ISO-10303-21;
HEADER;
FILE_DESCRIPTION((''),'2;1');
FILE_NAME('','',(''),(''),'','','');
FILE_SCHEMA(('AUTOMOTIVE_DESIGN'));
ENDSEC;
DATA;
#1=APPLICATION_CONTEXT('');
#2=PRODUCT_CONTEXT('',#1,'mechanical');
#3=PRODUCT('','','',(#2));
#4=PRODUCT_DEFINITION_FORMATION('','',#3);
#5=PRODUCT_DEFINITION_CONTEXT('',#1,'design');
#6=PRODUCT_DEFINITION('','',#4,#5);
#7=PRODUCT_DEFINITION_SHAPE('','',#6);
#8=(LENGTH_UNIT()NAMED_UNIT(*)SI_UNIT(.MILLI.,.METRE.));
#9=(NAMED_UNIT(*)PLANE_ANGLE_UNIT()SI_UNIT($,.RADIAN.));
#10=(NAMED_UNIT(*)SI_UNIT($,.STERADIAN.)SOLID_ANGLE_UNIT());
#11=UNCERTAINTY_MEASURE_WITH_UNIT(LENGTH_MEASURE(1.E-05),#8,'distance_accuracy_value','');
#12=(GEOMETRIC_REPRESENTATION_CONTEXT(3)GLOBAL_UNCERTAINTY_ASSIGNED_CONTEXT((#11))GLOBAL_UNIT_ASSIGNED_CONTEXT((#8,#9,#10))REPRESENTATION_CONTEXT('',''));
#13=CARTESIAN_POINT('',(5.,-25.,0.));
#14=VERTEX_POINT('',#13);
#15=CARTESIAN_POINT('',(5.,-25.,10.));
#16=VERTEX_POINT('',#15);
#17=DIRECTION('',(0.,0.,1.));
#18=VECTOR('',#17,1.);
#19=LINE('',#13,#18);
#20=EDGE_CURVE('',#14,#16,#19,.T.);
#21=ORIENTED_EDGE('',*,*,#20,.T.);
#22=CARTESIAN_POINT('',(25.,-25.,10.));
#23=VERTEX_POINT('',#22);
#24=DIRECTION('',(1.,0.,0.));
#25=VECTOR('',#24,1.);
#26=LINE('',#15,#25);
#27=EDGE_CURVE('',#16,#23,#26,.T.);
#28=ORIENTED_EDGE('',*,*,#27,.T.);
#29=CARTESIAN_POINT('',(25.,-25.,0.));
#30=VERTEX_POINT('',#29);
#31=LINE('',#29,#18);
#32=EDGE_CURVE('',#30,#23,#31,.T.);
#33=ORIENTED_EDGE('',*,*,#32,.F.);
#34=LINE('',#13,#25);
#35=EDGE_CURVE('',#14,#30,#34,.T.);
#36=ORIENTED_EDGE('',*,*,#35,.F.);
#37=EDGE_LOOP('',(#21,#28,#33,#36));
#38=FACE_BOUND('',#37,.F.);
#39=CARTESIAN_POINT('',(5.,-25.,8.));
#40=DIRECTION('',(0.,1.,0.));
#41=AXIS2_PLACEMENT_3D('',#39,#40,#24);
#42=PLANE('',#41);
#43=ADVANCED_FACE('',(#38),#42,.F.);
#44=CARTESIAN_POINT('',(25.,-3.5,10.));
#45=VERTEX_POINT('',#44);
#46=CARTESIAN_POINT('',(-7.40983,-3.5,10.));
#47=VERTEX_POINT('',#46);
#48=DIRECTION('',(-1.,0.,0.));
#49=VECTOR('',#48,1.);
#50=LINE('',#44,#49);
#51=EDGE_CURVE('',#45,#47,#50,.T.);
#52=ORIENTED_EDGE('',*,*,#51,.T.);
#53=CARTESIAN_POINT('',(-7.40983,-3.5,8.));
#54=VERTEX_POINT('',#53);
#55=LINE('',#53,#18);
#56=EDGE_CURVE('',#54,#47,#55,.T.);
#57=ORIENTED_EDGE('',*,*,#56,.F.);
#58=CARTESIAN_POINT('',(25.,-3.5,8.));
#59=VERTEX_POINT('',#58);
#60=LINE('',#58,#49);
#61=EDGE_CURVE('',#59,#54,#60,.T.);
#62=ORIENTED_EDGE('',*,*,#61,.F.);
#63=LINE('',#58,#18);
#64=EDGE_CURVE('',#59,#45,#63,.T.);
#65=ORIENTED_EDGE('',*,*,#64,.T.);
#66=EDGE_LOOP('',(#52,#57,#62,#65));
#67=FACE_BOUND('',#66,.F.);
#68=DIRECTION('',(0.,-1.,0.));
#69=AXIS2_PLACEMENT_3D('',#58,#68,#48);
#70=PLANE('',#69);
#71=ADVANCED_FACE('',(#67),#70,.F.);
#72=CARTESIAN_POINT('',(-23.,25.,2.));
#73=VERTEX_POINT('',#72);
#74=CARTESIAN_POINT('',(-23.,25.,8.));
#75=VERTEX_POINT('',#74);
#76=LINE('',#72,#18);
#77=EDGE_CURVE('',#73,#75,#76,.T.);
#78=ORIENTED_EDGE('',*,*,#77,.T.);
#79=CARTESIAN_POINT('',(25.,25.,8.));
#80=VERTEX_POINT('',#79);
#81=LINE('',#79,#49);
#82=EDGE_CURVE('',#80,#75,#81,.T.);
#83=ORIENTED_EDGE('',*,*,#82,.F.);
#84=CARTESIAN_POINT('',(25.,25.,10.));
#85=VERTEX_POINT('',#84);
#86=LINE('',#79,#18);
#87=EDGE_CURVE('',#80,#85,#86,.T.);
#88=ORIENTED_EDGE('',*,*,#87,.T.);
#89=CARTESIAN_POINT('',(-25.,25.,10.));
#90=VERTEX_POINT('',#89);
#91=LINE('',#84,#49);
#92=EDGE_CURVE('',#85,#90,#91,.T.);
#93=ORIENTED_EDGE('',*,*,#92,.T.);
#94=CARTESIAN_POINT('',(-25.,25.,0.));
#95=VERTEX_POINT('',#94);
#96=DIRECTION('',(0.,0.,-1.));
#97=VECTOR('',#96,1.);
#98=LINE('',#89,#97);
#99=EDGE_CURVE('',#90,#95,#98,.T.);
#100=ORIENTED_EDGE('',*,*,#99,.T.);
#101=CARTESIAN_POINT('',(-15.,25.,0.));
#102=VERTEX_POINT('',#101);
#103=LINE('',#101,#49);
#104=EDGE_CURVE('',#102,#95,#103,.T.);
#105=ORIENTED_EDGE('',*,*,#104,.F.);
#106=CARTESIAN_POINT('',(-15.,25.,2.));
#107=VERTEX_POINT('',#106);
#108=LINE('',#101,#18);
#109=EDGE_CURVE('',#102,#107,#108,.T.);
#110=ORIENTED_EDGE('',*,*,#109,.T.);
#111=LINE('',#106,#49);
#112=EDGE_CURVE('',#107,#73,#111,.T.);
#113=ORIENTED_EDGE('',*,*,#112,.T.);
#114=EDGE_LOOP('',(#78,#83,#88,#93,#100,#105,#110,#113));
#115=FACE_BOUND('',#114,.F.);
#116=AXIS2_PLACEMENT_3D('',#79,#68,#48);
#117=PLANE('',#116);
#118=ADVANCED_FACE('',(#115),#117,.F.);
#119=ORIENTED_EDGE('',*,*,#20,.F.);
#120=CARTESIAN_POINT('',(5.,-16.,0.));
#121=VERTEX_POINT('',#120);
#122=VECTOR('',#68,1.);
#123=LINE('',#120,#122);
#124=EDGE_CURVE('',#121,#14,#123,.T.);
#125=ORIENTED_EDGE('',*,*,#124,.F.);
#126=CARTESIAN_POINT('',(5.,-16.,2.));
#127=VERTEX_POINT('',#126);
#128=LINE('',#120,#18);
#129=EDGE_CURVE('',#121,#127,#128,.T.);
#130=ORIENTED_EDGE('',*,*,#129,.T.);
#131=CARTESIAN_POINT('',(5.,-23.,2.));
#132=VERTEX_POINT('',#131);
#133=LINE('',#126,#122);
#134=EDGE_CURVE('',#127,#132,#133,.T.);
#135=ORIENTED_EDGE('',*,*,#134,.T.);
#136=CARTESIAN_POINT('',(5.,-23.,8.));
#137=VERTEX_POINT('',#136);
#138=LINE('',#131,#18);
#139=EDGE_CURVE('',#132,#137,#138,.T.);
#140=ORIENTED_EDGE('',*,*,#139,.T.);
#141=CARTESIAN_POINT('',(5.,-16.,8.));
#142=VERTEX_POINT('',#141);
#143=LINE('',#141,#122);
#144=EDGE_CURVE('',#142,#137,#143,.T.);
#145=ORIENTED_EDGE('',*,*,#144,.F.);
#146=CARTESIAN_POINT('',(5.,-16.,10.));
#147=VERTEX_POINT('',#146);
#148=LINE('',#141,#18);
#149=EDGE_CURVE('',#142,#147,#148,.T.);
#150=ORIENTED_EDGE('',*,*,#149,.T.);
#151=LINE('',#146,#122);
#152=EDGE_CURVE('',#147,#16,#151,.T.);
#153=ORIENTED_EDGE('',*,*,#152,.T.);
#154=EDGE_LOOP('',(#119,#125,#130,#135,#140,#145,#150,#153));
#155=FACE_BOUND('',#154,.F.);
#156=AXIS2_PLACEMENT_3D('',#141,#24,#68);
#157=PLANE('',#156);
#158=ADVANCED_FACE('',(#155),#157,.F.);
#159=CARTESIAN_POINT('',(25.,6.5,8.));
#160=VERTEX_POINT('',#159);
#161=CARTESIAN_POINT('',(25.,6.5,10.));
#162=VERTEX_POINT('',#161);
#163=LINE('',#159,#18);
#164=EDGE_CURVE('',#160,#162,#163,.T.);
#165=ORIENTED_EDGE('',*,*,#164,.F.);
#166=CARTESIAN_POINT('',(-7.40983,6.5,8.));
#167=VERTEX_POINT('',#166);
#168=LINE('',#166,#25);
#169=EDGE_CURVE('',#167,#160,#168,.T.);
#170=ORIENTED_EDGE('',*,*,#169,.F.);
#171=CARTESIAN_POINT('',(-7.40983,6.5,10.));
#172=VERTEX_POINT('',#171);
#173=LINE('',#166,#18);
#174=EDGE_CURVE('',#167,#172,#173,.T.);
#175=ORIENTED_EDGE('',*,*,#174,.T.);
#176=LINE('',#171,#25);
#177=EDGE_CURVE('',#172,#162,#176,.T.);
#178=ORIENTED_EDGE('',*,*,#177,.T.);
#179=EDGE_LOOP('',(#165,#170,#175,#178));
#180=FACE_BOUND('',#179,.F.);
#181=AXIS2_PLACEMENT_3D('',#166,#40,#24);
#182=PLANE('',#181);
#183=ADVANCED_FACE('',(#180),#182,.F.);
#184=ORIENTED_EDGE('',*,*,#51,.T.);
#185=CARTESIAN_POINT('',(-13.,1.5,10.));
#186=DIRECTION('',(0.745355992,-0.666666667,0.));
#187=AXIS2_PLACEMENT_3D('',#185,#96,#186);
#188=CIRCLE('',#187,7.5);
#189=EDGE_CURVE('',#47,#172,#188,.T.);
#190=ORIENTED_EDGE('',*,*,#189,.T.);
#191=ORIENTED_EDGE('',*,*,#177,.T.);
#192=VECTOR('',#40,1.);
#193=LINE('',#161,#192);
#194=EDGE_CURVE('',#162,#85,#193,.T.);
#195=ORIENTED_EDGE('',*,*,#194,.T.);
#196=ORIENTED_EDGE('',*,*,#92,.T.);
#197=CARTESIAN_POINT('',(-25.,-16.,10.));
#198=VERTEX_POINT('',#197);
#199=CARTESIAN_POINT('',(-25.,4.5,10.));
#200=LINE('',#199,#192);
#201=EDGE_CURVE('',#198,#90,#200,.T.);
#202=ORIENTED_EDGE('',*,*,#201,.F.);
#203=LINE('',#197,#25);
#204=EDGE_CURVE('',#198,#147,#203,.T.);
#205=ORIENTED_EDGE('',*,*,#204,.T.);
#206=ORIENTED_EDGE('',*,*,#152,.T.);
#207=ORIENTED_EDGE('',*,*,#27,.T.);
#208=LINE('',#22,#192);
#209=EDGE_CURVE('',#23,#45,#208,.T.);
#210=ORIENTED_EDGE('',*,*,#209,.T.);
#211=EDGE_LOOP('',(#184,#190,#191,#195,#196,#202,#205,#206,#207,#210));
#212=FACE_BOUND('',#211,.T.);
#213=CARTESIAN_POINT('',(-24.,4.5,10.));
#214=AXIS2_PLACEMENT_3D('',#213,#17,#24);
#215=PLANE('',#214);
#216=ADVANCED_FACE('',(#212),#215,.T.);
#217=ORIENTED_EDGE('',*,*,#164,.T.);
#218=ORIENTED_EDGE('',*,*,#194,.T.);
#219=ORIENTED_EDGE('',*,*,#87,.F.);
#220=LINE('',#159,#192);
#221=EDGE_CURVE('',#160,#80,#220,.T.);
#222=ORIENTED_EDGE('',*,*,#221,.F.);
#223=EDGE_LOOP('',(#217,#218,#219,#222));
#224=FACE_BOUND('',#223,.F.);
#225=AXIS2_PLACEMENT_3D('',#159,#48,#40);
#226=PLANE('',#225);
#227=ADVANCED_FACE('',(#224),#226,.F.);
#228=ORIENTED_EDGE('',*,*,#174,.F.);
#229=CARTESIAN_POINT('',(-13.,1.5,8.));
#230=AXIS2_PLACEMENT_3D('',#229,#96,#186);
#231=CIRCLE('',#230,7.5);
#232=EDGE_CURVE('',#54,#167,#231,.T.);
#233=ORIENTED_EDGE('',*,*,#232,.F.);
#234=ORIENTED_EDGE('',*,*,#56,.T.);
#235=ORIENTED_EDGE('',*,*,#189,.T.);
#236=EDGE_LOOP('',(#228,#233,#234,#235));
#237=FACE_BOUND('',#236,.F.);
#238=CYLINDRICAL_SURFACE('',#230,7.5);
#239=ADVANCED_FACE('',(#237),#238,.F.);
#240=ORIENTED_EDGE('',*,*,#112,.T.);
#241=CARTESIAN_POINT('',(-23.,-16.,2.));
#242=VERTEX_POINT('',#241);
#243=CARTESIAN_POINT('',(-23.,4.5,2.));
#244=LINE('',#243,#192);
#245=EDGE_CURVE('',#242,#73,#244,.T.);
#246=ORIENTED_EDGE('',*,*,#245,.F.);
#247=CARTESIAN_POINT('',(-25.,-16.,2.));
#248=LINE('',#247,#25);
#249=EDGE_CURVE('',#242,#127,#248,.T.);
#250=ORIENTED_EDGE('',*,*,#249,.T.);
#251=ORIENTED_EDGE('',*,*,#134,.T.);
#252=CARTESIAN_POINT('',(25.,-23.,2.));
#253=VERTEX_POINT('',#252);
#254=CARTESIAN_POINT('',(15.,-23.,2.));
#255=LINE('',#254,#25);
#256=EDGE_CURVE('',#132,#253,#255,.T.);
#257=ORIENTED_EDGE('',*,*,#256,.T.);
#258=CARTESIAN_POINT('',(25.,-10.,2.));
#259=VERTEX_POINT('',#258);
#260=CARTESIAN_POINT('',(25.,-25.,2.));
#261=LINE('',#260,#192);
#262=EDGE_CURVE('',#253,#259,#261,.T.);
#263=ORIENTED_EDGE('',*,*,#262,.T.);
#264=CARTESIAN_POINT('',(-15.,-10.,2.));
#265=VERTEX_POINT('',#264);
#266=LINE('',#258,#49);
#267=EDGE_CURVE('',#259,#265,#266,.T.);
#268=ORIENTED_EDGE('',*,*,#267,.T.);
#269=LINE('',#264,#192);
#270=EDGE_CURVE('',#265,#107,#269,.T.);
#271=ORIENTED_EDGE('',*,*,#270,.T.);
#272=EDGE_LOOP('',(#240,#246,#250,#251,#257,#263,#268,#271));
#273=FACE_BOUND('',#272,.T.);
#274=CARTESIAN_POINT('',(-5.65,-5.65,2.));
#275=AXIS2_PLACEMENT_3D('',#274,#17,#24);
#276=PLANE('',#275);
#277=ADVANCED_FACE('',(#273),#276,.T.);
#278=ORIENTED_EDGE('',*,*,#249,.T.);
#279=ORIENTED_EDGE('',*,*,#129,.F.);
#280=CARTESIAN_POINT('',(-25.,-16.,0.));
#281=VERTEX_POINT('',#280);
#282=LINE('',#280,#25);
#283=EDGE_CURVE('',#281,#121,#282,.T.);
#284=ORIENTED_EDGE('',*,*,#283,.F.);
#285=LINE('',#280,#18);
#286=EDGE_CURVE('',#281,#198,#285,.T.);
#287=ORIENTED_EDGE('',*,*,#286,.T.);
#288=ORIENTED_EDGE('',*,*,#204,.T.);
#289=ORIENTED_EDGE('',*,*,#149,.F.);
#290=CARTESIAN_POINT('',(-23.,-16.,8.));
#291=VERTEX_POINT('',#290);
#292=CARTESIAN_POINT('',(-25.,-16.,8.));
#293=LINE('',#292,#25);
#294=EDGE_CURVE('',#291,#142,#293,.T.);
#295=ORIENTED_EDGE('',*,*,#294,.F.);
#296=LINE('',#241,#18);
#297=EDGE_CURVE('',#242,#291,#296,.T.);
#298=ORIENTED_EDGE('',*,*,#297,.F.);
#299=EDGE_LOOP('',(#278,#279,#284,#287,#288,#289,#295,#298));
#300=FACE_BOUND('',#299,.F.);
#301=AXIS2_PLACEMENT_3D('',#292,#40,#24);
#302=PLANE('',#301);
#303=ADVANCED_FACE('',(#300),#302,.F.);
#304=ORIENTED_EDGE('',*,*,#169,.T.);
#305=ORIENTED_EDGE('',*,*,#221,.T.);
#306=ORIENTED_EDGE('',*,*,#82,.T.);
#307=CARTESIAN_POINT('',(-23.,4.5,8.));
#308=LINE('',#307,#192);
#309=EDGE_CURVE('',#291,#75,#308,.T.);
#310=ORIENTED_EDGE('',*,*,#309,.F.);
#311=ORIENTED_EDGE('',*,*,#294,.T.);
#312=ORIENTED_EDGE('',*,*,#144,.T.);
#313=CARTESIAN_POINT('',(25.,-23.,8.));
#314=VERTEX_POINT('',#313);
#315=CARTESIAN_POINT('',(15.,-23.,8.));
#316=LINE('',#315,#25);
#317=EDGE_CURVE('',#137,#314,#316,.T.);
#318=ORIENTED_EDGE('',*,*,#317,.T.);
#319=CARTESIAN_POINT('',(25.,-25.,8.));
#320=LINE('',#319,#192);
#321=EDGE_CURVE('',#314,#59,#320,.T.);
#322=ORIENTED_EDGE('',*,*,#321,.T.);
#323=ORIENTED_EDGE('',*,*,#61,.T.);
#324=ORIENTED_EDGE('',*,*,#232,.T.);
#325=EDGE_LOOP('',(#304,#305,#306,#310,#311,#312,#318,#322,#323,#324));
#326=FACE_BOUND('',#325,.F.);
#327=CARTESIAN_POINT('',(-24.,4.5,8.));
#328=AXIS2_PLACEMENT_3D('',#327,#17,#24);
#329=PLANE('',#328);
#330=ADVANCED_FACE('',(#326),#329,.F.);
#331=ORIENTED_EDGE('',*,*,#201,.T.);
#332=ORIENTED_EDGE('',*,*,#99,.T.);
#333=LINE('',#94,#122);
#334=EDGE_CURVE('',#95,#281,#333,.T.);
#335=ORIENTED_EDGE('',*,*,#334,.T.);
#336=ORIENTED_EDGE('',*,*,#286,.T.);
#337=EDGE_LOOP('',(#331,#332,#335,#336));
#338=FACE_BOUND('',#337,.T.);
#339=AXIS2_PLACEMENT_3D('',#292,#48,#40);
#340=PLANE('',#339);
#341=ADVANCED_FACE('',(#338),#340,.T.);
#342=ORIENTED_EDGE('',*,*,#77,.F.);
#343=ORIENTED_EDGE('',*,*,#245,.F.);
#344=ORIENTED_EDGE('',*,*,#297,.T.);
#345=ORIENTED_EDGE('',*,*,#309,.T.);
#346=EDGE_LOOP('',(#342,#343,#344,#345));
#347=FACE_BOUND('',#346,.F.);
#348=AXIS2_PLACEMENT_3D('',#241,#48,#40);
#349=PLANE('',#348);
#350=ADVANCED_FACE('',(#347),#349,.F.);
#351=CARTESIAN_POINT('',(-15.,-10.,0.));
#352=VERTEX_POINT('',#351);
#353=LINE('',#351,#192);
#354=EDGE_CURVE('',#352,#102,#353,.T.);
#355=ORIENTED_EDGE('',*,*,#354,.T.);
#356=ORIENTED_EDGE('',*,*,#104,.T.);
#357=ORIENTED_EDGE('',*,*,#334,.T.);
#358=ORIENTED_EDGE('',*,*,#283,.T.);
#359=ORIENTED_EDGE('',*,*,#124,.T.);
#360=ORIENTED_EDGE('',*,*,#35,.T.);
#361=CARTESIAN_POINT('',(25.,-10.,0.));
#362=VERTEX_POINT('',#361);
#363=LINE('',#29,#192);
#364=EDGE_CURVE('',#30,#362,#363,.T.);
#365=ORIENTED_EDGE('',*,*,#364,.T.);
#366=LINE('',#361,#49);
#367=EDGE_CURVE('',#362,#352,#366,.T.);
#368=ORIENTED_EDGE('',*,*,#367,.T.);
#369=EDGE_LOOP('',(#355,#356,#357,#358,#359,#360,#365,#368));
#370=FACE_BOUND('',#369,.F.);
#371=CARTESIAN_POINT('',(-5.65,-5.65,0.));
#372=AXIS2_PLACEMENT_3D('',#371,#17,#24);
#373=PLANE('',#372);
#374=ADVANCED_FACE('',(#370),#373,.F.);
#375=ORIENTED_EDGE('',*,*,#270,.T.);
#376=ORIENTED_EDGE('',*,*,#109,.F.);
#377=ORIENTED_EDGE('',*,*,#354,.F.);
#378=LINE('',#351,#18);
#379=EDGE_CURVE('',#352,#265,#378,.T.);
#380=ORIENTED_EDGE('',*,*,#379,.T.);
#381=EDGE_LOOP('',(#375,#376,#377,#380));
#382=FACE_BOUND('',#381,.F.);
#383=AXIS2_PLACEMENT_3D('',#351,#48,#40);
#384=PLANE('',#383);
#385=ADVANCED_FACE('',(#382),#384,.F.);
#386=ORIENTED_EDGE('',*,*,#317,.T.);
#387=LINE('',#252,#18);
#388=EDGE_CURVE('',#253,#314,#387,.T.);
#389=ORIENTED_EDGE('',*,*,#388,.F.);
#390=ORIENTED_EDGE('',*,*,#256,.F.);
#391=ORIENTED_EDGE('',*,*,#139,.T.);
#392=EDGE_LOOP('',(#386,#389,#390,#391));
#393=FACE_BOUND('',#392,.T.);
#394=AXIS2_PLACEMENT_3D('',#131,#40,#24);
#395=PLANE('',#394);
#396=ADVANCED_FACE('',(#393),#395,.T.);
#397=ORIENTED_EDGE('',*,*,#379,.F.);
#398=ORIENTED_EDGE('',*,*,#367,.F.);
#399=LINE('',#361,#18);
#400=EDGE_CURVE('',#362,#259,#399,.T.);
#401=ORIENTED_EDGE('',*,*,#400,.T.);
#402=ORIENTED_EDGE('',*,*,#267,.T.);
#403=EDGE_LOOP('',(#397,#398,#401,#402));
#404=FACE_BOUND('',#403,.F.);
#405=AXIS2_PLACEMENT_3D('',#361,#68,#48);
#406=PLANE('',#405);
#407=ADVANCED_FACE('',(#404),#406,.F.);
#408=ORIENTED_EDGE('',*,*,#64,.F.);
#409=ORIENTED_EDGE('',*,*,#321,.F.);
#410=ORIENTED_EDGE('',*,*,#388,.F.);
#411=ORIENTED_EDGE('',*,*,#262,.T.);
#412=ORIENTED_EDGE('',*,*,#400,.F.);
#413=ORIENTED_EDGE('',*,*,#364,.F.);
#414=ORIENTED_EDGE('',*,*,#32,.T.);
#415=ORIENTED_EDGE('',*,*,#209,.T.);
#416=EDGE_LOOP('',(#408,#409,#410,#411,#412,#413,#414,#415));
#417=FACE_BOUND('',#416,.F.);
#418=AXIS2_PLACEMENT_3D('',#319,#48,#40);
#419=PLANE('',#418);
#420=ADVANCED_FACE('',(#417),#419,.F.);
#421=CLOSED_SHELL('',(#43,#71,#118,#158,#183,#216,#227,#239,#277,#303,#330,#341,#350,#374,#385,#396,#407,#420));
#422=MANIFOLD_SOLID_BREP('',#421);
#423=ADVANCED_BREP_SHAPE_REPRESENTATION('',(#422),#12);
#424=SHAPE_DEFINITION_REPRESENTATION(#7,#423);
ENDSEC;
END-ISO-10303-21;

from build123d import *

# Parameters (mm, degrees)
F1_DEPTH = 2
F2_W     = 20
F2_H     = 2
F2_W_2   = 2
F2_H_2   = 41
F3_DEPTH = 6
F4_W     = 2
F4_H     = 41
F5_DEPTH = 2


with BuildPart() as f1:
    # F0 (on Top) → F1 (new body)
    with BuildSketch(Plane.XY):
        Polygon((-15, 25), (-25, 25), (-25, -16), (5, -16), (5, -25), (25, -25), (25, -10), (-15, -10), align=None)
    extrude(amount=F1_DEPTH)

    # F2 (on face) → F3 (join)
    with BuildSketch(Plane.XY.offset(2)):
        with Locations((15, -24)):
            Rectangle(F2_W, F2_H)
        with Locations((-24, 4.5)):
            Rectangle(F2_W_2, F2_H_2)
    extrude(amount=F3_DEPTH)

    # F4 (on face) → F5 (join)
    with BuildSketch(Plane.XY.offset(8)):
        with Locations((-24, 4.5)):
            Rectangle(F4_W, F4_H)
        with BuildLine():
            Line((25, 25), (-23, 25))
            Line((-23, 25), (-23, -16))
            Line((-23, -16), (5, -16))
            Line((5, -16), (5, -25))
            Line((5, -25), (25, -25))
            Line((25, -25), (25, -3.5))
            Line((25, -3.5), (-7.4098300563, -3.5))
            ThreePointArc((-7.4098300563, -3.5), (-20.5, 1.5), (-7.4098300563, 6.5))
            Line((-7.4098300563, 6.5), (25, 6.5))
            Line((25, 6.5), (25, 25))
        make_face()
    extrude(amount=F5_DEPTH)


solid = f1.part
